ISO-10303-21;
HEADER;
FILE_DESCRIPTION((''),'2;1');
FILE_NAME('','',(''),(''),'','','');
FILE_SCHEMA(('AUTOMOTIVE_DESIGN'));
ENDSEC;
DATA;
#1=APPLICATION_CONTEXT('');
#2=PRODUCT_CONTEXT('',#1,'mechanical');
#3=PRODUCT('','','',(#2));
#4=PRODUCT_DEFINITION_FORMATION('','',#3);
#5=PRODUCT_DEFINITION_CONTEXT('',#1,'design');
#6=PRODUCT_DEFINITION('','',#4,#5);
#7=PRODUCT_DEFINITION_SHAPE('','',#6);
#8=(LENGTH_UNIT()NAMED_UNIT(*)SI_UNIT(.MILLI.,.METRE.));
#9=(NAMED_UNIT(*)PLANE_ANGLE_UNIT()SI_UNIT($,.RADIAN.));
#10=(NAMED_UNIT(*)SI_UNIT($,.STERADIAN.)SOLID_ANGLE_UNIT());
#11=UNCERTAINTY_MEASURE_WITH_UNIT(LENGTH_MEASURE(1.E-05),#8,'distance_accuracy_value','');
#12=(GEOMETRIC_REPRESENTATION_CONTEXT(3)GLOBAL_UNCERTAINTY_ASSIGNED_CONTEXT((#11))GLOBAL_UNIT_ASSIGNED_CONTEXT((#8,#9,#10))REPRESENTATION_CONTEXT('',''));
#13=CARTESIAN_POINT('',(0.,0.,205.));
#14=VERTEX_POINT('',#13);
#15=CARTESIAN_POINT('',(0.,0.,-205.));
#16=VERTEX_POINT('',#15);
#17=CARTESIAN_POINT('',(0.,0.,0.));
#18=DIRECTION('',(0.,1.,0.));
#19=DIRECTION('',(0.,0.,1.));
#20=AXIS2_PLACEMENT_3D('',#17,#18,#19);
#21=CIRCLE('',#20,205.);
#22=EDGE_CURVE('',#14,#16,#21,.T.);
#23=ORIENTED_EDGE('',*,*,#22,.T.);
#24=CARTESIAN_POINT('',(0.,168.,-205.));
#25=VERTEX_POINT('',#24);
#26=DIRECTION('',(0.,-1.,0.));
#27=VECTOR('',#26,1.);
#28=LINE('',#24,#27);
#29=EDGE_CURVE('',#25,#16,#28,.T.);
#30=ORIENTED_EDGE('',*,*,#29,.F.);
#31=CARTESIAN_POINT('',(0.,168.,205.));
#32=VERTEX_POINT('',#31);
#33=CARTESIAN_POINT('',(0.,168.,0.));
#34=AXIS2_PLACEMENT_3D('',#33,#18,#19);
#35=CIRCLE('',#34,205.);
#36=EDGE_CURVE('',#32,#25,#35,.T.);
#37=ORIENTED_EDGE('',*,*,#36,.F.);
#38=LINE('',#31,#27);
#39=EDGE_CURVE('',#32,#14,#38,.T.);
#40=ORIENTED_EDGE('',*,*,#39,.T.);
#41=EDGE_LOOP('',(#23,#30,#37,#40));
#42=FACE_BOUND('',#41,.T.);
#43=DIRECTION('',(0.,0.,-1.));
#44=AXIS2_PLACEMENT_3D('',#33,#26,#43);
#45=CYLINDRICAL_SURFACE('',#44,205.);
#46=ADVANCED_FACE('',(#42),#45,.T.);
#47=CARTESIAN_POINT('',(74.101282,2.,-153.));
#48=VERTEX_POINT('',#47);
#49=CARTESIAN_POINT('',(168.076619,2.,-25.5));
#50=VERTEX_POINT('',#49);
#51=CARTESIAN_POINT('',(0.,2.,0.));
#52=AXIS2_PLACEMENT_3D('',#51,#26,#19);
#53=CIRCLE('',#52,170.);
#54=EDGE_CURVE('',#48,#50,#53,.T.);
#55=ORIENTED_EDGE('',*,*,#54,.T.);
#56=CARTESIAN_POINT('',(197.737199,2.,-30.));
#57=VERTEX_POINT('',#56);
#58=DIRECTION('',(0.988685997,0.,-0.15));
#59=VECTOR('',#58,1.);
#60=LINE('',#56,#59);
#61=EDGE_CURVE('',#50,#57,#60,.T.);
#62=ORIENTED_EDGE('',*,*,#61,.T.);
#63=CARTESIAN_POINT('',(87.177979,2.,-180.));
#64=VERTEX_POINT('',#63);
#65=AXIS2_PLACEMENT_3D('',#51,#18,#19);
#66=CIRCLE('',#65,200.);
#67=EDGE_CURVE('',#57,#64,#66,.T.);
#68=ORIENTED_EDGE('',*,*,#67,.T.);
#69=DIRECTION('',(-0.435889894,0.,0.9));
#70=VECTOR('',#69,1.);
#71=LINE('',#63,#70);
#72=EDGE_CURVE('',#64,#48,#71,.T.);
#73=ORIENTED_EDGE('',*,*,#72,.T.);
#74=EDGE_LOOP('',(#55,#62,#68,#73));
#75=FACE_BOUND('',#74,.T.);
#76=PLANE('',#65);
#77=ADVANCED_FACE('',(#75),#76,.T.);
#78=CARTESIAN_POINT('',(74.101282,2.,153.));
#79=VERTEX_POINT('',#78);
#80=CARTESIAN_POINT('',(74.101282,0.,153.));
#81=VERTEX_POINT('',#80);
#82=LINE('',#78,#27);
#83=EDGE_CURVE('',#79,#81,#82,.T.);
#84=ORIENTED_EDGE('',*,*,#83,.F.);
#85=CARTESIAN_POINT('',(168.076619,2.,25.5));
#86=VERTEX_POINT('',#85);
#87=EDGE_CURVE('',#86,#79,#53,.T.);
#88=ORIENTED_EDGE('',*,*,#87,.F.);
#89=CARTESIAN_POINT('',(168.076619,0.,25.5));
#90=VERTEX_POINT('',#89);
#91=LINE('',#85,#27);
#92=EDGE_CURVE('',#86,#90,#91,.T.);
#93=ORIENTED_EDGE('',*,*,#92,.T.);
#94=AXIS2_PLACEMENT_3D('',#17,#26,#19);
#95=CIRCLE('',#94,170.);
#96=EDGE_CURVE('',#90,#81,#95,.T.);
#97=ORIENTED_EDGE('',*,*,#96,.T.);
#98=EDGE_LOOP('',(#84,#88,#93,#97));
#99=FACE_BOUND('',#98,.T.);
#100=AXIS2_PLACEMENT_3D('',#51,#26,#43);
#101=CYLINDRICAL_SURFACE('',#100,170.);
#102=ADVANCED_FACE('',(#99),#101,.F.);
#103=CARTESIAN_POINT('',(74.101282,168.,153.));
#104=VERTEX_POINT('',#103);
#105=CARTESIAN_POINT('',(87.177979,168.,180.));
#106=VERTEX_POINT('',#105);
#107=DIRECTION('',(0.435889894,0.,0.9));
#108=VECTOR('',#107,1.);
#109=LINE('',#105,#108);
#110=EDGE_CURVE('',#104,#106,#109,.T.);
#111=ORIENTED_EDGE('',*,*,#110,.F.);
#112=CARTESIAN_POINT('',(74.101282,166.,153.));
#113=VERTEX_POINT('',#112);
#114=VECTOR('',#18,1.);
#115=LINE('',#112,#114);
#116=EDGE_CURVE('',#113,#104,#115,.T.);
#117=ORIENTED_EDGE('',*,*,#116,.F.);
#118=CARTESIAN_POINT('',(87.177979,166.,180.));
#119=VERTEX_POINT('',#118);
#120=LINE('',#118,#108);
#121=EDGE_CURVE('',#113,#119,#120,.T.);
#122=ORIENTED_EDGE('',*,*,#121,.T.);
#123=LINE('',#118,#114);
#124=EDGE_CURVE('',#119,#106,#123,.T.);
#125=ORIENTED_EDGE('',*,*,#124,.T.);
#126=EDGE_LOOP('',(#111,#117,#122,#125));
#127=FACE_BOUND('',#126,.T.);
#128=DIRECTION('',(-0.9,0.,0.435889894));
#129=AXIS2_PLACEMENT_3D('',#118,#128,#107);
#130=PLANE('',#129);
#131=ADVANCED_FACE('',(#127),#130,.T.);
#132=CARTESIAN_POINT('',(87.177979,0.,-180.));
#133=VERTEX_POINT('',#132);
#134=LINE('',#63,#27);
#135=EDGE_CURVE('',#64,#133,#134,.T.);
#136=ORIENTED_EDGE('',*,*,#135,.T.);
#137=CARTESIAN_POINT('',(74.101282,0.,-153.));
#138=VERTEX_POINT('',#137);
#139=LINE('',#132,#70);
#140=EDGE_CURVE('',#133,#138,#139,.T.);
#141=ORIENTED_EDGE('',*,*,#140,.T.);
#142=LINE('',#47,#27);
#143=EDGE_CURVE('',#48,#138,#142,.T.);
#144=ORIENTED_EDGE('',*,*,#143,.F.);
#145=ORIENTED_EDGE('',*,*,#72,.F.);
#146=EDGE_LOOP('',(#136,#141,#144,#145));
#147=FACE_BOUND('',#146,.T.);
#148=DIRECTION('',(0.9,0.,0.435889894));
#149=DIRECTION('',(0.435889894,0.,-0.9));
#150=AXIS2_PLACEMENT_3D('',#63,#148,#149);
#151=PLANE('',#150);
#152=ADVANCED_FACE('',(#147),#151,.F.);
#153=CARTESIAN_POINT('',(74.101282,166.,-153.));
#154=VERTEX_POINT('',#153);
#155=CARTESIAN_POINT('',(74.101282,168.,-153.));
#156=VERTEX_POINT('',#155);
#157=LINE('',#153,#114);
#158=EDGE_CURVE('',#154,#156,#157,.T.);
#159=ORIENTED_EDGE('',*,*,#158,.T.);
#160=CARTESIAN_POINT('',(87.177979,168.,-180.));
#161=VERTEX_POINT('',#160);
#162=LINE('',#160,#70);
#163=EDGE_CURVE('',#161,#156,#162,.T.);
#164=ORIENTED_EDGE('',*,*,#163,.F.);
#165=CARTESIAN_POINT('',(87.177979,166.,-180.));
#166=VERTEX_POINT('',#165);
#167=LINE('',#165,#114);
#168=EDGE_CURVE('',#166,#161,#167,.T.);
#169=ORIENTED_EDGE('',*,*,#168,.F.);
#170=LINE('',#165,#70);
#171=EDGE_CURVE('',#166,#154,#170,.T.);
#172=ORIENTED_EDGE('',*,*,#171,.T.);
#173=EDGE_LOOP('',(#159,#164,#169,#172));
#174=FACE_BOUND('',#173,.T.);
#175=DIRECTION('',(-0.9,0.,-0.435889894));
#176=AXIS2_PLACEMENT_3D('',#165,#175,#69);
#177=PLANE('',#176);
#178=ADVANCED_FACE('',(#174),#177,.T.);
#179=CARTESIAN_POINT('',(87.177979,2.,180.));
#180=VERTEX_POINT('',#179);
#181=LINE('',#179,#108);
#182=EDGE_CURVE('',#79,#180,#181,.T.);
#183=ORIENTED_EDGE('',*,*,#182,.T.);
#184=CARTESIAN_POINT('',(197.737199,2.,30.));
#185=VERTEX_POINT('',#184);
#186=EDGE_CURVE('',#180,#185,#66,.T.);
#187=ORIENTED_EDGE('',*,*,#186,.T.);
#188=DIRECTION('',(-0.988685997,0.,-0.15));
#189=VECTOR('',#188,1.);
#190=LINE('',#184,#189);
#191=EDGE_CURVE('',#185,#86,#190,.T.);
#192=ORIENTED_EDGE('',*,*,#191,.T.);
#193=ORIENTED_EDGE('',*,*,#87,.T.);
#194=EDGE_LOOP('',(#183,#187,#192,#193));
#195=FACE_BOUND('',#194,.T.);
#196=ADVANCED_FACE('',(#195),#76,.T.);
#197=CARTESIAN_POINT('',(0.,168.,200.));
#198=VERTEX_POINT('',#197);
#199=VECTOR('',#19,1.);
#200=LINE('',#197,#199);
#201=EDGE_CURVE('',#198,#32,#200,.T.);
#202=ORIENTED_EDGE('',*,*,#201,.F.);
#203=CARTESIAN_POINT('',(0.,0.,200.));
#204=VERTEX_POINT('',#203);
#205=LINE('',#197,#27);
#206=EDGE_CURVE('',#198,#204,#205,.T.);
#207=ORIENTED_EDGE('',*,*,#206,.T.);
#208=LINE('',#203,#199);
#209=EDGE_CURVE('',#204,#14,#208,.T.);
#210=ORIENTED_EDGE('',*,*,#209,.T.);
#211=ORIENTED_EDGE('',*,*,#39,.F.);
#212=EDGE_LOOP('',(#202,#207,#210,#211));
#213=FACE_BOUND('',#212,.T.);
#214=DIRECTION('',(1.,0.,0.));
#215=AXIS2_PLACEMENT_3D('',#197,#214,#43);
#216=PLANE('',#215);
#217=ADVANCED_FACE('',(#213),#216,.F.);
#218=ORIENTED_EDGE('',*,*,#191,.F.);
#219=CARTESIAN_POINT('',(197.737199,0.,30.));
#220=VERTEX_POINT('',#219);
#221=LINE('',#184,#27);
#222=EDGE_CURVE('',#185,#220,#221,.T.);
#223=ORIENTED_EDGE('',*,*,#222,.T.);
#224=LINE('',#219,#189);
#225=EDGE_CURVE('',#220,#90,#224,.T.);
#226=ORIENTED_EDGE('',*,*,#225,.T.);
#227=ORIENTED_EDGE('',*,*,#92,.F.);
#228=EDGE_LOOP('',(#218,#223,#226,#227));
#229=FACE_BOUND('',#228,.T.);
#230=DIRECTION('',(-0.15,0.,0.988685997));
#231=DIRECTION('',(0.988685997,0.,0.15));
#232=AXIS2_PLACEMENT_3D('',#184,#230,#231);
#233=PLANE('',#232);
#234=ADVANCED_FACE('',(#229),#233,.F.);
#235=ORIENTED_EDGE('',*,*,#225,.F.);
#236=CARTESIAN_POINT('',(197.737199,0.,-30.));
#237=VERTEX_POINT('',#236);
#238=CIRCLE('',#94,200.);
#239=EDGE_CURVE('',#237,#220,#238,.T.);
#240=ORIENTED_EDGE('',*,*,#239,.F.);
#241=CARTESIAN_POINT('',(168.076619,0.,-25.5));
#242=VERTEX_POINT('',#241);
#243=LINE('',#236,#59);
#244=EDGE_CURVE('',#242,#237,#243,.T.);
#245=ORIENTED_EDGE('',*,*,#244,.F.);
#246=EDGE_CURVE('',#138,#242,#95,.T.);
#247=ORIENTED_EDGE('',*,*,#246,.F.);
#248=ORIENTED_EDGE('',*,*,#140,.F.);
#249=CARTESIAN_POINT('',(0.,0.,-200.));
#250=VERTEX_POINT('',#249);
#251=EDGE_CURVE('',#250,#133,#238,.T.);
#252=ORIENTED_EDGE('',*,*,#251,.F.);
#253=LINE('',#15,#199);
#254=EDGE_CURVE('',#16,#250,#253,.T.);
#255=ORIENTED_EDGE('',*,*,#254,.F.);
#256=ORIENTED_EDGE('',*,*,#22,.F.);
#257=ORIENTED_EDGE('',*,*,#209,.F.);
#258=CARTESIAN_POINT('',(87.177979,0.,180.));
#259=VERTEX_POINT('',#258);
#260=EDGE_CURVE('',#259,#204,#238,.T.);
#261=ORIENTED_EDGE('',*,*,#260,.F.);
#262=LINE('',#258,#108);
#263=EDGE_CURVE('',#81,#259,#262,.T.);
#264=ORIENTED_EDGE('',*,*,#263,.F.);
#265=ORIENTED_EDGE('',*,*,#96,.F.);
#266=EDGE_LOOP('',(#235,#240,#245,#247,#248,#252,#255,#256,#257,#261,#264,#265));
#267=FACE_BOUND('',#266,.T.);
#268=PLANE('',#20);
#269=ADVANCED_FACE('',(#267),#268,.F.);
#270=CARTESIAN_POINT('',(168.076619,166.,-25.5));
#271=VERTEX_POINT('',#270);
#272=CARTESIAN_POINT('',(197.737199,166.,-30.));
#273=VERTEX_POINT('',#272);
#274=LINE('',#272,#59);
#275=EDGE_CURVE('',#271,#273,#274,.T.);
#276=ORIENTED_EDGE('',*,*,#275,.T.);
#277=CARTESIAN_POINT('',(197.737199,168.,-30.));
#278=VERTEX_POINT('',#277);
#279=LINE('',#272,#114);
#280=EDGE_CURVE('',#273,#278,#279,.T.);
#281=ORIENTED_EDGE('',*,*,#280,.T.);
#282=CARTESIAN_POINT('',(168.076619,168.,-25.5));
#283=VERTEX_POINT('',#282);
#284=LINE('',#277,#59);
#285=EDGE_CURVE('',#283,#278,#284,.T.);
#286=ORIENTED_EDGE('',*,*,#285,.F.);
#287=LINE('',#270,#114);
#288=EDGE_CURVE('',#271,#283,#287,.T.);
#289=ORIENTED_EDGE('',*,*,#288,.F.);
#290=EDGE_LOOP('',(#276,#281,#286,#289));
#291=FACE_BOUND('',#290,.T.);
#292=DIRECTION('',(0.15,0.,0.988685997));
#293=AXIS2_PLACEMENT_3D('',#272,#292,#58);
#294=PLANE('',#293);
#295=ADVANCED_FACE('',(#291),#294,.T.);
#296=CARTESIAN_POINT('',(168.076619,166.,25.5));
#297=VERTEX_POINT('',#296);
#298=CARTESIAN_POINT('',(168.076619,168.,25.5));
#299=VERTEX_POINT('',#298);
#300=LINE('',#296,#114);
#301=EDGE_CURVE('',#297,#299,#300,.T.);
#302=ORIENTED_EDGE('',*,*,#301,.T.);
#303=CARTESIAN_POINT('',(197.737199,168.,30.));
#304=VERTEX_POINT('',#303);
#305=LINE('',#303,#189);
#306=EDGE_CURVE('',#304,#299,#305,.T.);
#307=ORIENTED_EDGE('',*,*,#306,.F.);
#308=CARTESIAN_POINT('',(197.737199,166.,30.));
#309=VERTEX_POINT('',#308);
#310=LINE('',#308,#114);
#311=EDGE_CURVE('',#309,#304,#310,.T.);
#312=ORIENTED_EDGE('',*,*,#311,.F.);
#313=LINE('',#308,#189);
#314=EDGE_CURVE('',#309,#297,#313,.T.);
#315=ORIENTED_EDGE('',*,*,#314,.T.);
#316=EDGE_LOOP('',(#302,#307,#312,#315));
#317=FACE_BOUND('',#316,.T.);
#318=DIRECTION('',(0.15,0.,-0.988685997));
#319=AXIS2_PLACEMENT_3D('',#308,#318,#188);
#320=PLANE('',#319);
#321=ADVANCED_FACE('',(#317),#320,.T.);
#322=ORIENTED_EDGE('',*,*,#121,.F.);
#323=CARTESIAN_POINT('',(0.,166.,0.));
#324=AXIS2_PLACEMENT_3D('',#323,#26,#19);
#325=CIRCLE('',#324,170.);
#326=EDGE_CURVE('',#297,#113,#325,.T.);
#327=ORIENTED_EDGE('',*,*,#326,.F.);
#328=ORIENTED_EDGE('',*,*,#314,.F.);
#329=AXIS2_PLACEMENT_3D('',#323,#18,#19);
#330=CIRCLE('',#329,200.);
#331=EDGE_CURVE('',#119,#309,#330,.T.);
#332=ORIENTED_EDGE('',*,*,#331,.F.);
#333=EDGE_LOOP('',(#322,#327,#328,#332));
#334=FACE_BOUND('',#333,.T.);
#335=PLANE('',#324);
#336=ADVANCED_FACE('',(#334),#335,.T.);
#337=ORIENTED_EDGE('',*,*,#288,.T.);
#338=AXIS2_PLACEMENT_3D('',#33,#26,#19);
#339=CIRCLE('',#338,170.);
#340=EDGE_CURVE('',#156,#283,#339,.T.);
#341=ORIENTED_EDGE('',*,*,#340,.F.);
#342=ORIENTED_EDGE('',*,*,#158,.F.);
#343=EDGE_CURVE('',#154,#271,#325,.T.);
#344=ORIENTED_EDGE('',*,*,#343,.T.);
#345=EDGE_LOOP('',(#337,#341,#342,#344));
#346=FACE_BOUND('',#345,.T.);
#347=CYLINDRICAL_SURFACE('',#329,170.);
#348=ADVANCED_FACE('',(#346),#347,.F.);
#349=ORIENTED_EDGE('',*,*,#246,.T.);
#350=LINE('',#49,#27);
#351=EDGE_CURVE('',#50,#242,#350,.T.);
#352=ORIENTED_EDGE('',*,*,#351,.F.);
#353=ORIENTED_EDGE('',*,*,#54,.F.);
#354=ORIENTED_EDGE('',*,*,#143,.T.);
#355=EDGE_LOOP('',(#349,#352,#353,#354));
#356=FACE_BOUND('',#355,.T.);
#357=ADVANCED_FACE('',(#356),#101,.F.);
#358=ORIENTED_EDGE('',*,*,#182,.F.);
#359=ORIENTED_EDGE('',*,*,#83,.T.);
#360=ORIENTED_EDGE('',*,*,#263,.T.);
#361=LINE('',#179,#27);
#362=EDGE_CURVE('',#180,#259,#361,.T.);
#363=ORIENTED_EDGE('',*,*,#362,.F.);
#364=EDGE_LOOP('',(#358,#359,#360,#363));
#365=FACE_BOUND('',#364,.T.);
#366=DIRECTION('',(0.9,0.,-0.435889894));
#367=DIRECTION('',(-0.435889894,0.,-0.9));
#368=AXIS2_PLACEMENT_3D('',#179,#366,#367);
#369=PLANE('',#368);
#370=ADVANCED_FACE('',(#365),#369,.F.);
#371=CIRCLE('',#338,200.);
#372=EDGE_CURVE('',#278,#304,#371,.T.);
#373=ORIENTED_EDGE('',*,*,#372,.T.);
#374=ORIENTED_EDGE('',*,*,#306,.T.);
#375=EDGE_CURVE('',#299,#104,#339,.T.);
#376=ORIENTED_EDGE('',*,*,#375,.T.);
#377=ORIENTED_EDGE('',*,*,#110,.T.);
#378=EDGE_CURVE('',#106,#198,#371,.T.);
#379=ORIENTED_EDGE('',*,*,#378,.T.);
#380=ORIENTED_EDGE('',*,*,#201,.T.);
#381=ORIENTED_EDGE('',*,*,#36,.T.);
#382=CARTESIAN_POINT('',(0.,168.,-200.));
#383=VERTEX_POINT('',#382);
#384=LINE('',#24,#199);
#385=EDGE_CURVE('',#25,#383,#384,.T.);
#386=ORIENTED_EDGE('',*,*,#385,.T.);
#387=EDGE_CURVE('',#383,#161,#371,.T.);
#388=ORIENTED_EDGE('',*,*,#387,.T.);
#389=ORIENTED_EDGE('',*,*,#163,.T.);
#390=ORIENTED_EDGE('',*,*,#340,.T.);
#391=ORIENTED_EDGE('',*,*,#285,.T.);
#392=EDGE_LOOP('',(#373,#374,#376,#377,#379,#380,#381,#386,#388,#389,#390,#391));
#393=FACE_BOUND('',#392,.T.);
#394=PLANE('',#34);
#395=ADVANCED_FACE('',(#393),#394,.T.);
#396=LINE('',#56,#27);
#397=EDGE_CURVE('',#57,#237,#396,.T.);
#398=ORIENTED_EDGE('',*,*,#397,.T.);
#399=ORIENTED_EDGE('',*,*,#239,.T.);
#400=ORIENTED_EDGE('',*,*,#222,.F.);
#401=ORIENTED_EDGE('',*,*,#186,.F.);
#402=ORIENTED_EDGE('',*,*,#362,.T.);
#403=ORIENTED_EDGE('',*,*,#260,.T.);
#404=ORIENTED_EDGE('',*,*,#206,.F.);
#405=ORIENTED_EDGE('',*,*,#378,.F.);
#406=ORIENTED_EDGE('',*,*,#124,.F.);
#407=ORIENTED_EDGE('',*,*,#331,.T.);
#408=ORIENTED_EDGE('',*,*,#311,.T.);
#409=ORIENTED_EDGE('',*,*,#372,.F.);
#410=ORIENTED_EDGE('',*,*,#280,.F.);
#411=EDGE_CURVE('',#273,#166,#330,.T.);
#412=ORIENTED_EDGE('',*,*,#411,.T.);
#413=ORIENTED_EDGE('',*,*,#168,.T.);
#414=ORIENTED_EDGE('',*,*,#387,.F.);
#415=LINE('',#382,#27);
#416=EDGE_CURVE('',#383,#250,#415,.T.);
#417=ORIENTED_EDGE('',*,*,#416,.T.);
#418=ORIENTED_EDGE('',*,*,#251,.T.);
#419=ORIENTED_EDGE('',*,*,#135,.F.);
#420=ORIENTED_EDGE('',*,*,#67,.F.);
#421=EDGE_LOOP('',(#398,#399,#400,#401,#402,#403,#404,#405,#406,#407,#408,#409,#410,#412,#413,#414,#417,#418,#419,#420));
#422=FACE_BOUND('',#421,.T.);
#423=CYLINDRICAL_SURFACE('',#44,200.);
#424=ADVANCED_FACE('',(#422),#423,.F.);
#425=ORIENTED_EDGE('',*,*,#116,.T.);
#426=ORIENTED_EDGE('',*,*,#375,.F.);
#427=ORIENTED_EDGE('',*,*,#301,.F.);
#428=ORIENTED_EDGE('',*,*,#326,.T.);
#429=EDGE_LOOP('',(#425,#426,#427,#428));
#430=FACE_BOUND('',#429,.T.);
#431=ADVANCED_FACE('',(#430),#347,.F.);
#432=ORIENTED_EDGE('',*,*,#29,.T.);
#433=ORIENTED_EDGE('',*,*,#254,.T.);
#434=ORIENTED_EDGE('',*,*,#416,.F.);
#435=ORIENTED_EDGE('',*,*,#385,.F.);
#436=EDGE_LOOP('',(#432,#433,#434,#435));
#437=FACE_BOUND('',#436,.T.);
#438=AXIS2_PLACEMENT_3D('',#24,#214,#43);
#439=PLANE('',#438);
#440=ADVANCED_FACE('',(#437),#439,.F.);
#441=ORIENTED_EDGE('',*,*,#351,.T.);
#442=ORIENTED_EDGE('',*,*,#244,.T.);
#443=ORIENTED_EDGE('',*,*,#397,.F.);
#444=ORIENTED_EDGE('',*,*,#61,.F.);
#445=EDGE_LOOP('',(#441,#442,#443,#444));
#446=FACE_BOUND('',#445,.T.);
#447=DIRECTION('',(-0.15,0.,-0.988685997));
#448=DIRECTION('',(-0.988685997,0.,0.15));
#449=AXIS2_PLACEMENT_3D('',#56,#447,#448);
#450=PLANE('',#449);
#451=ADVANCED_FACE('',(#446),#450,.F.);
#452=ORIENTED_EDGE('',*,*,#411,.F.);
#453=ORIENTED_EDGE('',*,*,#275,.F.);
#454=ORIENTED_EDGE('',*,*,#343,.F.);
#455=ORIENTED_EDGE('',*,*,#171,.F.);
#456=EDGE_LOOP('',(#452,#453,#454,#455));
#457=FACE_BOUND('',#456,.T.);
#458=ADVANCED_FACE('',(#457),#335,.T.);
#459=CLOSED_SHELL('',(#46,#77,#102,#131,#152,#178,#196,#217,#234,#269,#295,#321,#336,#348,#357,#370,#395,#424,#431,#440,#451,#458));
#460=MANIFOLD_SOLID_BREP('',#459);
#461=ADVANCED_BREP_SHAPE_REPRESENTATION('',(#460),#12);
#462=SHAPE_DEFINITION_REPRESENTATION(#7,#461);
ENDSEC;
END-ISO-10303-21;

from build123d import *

# Parameters (mm, degrees)
BOSS_EXTRUDE1_DEPTH = 168
BOSS_EXTRUDE2_DEPTH = 2


with BuildPart() as part:
    # Sketch1 → Boss-Extrude1 (new body)
    with BuildSketch(Plane(origin=(0, 0, 0), x_dir=(1, 0, 0), z_dir=(0, 1, 0))):
        with BuildLine():
            Line((0, 205), (0, 200))
            ThreePointArc((0, 200), (200, 0), (0, -200))
            Line((0, -200), (0, -205))
            ThreePointArc((0, -205), (205, 0), (0, 205))
        make_face()
    extrude(amount=BOSS_EXTRUDE1_DEPTH)

    # Sketch2 → Boss-Extrude2 (add)
    with BuildSketch(Plane(origin=(0, 0, 0), x_dir=(1, 0, 0), z_dir=(0, 1, 0))):
        with BuildLine():
            Line((87.177978871, -180), (74.10128204, -153))
            ThreePointArc((74.10128204, -153), (136.845155159, -100.863291189), (168.076619433, -25.5))
            Line((168.076619433, -25.5), (197.737199333, -30))
            ThreePointArc((197.737199333, -30), (160.994300187, -118.662695517), (87.177978871, -180))
        make_face()
        with BuildLine():
            Line((197.737199333, 30), (168.076619433, 25.5))
            ThreePointArc((168.076619433, 25.5), (136.845155159, 100.863291189), (74.10128204, 153))
            Line((74.10128204, 153), (87.177978871, 180))
            ThreePointArc((87.177978871, 180), (160.994300187, 118.662695517), (197.737199333, 30))
        make_face()
    boss_extrude2 = extrude(amount=BOSS_EXTRUDE2_DEPTH)

    # Mirror2: Boss-Extrude2 across plane
    add(boss_extrude2.mirror(Plane.ZX.offset(84)))


solid = part.part
